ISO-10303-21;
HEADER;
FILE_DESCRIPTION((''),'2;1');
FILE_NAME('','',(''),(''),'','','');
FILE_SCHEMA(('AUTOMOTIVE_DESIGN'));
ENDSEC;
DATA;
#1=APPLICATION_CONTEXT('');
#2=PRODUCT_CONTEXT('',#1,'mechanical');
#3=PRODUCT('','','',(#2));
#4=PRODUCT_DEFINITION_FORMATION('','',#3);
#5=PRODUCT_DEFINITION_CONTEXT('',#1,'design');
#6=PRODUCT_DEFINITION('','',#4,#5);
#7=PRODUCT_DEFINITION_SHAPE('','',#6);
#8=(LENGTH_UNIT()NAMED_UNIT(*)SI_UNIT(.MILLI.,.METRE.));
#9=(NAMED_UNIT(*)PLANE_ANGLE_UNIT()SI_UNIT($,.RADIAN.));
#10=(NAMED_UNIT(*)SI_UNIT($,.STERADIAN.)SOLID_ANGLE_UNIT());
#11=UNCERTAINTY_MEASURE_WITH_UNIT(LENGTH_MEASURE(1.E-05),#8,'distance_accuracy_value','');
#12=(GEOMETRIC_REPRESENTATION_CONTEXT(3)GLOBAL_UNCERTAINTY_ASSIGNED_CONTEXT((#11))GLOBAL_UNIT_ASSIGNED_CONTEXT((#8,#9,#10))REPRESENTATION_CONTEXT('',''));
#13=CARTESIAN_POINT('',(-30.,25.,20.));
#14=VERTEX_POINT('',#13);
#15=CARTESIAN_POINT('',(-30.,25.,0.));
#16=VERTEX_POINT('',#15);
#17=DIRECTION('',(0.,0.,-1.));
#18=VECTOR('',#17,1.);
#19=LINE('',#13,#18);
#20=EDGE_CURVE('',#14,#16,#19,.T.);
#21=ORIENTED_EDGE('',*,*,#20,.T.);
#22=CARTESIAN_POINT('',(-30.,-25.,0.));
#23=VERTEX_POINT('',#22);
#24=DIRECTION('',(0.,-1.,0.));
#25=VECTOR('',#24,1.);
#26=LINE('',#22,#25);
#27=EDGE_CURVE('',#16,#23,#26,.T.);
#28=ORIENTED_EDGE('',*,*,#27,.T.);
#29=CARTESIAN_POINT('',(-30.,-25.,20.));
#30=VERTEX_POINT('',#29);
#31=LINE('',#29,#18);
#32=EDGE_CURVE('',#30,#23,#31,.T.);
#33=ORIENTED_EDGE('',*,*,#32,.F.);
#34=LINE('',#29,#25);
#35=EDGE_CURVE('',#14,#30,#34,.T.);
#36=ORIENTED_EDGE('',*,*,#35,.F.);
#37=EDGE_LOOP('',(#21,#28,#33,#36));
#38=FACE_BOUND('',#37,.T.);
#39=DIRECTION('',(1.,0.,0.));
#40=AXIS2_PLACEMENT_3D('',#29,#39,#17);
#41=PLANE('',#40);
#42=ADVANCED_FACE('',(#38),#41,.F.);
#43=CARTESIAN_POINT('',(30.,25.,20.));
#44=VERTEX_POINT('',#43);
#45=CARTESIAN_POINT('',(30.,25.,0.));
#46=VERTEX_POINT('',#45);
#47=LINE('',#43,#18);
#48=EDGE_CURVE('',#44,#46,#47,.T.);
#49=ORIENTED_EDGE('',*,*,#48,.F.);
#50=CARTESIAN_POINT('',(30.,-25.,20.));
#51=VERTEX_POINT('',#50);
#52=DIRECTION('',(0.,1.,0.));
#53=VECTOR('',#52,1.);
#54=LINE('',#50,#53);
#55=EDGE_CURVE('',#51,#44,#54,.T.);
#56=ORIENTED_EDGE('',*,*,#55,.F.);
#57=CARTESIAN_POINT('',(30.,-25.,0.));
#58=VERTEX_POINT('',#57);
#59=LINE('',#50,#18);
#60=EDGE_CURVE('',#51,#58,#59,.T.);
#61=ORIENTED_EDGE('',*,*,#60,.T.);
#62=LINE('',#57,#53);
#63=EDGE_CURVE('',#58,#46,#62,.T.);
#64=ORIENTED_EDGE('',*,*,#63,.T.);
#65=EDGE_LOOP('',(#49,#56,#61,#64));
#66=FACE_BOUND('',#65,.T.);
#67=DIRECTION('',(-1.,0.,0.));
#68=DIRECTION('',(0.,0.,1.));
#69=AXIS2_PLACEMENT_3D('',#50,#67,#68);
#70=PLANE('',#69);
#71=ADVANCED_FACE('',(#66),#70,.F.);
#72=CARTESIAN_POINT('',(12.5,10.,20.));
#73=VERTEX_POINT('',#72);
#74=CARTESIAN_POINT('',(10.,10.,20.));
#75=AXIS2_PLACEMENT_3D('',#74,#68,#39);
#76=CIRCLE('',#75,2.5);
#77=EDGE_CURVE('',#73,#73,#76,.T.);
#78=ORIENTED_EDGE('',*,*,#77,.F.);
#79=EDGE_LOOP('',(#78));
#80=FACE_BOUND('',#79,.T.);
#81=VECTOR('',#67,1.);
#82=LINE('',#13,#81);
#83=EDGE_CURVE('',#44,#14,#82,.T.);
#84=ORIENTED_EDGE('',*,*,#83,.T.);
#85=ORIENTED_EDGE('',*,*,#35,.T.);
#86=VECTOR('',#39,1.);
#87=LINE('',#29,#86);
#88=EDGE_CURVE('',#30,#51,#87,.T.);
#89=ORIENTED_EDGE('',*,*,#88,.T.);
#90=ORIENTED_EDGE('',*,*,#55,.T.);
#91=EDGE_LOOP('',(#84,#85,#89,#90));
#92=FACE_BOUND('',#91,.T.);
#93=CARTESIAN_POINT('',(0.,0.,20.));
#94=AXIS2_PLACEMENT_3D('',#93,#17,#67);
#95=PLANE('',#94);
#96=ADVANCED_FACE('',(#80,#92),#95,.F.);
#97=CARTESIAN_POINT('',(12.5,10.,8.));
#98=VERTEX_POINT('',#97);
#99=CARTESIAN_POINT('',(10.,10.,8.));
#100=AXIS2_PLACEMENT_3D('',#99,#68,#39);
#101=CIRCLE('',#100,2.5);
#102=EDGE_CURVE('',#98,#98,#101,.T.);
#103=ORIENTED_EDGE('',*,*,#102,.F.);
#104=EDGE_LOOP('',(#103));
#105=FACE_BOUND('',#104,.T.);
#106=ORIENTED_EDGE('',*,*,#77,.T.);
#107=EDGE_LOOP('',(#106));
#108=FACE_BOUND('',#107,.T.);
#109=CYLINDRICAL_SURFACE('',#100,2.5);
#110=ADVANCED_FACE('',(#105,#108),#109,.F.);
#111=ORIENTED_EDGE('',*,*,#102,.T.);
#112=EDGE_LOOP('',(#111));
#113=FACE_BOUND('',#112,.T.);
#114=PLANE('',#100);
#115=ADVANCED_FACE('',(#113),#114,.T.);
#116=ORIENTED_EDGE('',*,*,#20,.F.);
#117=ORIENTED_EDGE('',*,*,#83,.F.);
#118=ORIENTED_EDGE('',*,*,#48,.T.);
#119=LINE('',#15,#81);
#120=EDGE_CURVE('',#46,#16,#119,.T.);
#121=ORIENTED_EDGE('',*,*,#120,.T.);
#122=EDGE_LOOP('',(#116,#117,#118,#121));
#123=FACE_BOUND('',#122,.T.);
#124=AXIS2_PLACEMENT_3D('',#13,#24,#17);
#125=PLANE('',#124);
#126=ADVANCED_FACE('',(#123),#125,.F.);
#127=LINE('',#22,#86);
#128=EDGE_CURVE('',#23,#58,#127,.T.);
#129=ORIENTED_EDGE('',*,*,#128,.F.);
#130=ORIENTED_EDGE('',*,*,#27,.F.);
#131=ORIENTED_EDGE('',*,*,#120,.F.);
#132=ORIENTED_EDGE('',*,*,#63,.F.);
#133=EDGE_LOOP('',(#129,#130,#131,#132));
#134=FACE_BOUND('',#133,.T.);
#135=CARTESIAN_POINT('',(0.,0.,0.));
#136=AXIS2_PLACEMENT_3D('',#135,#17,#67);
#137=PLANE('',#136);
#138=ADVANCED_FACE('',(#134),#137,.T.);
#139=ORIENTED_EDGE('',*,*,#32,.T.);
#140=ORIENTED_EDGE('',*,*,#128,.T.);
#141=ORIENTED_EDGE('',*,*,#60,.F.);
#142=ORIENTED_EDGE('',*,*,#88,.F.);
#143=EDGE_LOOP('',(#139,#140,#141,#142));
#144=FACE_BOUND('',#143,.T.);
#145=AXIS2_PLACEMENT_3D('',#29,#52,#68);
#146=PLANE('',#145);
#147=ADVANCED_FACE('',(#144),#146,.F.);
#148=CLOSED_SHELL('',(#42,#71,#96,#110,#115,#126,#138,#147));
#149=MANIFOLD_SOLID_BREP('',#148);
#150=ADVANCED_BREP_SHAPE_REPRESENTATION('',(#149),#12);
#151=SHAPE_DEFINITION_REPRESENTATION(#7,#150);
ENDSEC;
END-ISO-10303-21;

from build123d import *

# Parameters (mm, degrees)
SKIZZE1_W                       = 60
SKIZZE1_H                       = 50
AUFSATZ_LINEAR_AUSTRAGEN1_DEPTH = 20
SKIZZE2_R                       = 2.5
SCHNITT_LINEAR_AUSTRAGEN1_DEPTH = 12


with BuildPart() as part:
    # Skizze1 → Aufsatz-Linear austragen1 (new body)
    with BuildSketch(Plane.XY):
        Rectangle(SKIZZE1_W, SKIZZE1_H)
    extrude(amount=AUFSATZ_LINEAR_AUSTRAGEN1_DEPTH)

    # Skizze2 → Schnitt-Linear austragen1 (cut)
    with BuildSketch(Plane.XY.offset(20)):
        with Locations((10, 10)):
            Circle(SKIZZE2_R)
    extrude(amount=-SCHNITT_LINEAR_AUSTRAGEN1_DEPTH, mode=Mode.SUBTRACT)


solid = part.part
